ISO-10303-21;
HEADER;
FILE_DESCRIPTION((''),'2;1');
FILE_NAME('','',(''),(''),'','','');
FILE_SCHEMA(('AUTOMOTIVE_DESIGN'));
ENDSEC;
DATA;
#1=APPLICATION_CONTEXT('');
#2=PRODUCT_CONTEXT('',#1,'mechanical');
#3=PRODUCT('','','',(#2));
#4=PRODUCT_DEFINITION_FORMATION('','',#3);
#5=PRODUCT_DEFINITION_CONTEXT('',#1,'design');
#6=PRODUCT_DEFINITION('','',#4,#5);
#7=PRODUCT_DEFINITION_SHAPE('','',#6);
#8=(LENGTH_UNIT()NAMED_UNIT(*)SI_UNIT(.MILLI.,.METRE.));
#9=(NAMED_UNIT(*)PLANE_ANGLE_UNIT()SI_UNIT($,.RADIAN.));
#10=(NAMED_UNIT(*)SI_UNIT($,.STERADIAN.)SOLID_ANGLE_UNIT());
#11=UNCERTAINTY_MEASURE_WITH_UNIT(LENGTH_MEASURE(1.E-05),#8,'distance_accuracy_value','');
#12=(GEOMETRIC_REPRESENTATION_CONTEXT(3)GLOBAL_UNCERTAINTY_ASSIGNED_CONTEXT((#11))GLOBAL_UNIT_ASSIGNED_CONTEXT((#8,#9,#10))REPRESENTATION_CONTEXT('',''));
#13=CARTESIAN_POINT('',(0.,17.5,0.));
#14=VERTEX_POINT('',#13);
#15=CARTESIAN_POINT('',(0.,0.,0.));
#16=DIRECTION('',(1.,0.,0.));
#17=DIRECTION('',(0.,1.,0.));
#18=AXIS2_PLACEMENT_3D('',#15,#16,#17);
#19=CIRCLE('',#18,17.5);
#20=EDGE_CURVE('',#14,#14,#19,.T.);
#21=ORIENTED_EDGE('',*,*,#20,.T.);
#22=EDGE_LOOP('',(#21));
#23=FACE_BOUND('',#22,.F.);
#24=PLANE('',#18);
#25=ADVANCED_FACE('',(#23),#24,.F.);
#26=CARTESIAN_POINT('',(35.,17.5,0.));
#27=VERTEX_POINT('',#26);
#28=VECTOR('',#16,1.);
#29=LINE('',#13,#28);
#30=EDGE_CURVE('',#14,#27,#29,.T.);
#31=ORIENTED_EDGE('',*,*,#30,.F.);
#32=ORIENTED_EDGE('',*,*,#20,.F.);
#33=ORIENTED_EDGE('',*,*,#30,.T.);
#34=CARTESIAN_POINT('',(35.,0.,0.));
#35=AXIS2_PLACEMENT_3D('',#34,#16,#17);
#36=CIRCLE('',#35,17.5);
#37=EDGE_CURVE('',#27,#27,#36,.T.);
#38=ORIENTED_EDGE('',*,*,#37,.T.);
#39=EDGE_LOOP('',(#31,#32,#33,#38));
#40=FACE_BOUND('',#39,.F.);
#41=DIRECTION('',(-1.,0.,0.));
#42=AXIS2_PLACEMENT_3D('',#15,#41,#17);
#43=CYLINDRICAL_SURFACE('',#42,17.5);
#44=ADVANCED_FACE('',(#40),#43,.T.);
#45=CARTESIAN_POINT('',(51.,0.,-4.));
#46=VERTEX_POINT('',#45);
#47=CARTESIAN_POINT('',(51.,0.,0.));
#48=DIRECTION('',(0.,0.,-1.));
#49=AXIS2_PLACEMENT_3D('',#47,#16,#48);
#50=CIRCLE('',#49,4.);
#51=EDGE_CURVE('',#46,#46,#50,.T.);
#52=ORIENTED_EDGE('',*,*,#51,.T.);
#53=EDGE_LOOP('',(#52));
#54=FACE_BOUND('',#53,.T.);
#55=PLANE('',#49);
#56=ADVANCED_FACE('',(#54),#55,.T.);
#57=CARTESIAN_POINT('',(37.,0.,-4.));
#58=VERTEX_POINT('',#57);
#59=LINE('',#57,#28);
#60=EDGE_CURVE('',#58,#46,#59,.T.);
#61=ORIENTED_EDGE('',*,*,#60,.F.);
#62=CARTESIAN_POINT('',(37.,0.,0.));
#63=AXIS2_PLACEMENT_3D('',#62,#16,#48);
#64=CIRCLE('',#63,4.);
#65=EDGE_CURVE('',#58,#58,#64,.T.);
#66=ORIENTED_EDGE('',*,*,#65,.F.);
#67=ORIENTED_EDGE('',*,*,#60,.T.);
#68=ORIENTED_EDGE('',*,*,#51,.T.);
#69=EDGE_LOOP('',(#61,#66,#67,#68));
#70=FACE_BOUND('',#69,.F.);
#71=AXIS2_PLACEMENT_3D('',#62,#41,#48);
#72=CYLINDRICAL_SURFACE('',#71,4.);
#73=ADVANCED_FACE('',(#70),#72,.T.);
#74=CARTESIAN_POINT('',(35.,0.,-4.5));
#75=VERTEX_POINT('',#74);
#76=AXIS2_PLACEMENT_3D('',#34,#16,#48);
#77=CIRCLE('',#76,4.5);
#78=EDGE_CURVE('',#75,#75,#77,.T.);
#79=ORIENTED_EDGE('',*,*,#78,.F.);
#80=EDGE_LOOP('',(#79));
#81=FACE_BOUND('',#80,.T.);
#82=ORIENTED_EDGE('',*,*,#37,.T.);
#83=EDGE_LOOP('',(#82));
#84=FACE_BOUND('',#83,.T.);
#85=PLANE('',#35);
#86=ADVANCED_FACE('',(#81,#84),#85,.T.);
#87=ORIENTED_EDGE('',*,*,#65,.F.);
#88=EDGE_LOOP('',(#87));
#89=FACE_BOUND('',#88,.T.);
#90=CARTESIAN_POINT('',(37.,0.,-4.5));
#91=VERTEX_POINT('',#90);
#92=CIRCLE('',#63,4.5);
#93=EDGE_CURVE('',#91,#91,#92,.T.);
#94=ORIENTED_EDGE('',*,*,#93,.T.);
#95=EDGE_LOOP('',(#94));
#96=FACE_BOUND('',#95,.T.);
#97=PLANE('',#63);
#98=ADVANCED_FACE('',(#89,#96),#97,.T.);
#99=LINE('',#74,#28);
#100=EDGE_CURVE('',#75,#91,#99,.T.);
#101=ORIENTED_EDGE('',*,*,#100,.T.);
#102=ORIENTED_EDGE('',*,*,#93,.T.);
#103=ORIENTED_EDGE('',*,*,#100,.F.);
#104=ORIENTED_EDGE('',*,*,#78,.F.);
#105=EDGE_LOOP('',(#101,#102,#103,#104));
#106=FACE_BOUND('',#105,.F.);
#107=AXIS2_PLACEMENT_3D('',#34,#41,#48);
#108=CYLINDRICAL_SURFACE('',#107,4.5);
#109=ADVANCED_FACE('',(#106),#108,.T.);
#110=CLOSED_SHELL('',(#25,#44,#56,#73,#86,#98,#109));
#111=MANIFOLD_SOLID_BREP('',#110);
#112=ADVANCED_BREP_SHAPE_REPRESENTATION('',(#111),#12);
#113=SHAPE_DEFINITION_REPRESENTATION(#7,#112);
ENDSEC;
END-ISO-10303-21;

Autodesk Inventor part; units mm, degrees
ref_plane "YZ Plane" through (0, 0, 0) normal (1, 0, 0) x (0, 1, 0)
ref_plane "XZ Plane" through (0, 0, 0) normal (0, 1, 0) x (-1, 0, 0)
ref_plane "XY Plane" through (0, 0, 0) normal (0, 0, 1) x (1, 0, 0)
sketch "Skizze1" plane through (0, 0, 0) normal (1, 0, 0) x (0, 1, 0)
  circle A0 centre (0, 0) radius 17.5
  dimension "d0" = 35
extrude "Extrusion1" add sketch "Skizze1" along normal blind 35
sketch "Skizze2" plane through (35, 0, 0) normal (1, 0, 0) x (0, 0, -1)
  circle A0 centre (0, 0) radius 4.5
  dimension "d3" = 9
extrude "Extrusion2" add sketch "Skizze2" along normal blind 2
sketch "Skizze3" plane through (37, 0, 0) normal (1, 0, 0) x (0, 0, -1)
  circle A0 centre (0, 0) radius 4.5 projected
  circle A1 centre (0, 0) radius 4
  dimension "d6" = 8
extrude "Extrusion3" add sketch "Skizze3" along normal blind 14 contours A1
thread "Gewinde1" size "M8x1" class "6g" standard "ANSI Metric M Profile" length 80
properties part number "Spannrolle Durchmesser 30mm Breite 35mm"
